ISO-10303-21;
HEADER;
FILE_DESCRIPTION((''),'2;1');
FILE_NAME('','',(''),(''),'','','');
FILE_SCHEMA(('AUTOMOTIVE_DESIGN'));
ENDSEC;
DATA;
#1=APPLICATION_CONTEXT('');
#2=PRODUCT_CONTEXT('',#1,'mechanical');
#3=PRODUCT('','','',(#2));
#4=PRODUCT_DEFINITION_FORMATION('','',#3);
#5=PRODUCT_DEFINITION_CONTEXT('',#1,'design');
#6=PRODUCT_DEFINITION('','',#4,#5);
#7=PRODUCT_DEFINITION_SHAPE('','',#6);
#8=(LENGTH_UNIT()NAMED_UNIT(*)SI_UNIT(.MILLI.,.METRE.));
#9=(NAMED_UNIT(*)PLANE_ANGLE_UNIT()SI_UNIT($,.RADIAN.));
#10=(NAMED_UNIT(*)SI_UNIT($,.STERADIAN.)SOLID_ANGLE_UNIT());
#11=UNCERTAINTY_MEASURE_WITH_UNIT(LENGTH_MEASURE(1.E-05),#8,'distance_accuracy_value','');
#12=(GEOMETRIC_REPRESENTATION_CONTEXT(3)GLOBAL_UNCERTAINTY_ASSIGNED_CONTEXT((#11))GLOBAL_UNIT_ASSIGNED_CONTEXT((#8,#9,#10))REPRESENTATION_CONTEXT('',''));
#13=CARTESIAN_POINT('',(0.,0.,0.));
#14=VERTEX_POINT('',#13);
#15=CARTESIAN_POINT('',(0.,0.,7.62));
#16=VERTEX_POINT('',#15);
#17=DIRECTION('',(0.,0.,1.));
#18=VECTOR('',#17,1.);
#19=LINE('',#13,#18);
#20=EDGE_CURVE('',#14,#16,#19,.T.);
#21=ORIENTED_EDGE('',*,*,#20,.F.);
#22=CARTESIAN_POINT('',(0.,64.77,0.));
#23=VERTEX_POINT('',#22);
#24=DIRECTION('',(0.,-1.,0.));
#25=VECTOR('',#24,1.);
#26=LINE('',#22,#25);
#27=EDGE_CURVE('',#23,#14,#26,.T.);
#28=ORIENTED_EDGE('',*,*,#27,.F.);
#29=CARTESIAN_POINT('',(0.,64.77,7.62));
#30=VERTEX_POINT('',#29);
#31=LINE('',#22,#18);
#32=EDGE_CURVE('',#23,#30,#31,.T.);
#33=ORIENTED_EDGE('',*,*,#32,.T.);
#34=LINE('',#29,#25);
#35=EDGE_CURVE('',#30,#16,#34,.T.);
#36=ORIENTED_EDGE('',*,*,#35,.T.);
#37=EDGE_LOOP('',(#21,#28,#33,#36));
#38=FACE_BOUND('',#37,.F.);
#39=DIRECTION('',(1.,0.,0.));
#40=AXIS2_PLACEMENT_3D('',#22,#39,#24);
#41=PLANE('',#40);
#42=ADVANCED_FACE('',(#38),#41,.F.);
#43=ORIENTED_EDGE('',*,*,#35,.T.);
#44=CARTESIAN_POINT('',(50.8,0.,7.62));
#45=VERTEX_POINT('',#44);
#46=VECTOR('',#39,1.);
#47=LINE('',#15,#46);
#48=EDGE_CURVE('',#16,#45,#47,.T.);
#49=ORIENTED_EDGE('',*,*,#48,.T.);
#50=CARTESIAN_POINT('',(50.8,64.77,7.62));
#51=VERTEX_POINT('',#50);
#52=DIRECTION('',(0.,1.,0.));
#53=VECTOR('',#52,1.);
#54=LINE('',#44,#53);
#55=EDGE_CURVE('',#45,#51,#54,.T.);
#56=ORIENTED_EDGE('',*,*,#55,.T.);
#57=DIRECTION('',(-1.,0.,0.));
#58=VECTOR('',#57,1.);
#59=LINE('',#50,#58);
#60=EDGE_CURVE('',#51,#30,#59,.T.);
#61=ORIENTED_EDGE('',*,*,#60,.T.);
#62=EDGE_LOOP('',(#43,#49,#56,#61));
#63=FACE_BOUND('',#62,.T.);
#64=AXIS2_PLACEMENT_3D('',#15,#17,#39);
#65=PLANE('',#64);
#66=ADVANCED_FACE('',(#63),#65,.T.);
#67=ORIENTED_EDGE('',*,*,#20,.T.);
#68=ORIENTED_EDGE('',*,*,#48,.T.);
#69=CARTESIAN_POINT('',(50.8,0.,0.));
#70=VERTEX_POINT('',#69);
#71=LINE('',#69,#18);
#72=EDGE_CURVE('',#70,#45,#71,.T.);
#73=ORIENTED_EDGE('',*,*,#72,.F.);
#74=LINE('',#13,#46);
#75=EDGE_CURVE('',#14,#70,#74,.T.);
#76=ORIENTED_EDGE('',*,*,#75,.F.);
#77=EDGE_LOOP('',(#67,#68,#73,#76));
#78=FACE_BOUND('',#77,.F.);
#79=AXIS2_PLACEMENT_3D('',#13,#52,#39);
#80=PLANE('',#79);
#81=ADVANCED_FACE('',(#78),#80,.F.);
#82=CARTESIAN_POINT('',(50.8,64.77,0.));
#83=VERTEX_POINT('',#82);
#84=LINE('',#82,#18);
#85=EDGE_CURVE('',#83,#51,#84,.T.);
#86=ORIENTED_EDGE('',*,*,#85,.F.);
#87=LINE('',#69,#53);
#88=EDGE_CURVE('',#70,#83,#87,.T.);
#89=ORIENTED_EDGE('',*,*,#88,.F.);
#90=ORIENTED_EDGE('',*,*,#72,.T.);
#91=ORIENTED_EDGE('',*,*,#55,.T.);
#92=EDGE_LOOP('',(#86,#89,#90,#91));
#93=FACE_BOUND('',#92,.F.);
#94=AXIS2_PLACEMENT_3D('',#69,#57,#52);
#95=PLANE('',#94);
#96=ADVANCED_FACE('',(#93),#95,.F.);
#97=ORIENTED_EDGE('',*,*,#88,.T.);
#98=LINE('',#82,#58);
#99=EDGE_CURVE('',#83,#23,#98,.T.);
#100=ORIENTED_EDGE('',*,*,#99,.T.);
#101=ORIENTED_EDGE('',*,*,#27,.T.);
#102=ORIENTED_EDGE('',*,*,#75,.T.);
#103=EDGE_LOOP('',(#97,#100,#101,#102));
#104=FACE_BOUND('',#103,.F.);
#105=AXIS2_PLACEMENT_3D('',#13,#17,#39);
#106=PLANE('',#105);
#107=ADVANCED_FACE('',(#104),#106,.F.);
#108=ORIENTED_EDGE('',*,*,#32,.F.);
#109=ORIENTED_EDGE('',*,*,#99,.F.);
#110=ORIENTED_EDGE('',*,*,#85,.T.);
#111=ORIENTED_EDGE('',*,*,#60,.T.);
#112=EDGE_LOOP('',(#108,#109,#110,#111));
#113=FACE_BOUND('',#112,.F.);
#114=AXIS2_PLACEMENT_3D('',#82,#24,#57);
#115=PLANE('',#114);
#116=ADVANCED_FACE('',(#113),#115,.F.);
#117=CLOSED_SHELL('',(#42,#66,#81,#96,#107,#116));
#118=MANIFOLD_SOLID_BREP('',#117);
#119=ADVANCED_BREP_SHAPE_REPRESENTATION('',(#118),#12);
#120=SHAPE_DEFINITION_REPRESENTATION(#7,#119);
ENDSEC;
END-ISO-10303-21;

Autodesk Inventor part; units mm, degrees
ref_plane "YZ Plane" through (0, 0, 0) normal (1, 0, 0) x (0, 1, 0)
ref_plane "XZ Plane" through (0, 0, 0) normal (0, 1, 0) x (-1, 0, 0)
ref_plane "XY Plane" through (0, 0, 0) normal (0, 0, 1) x (1, 0, 0)
sketch "Sketch1" plane through (0, 0, 0) normal (0, 0, 1) x (1, 0, 0)
  line L0 (0, 0) -> (50.8, 0)
  line L1 (50.8, 0) -> (50.8, 64.77)
  line L2 (50.8, 64.77) -> (0, 64.77)
  line L3 (0, 64.77) -> (0, 0)
  dimension "d0" = 50.8
  dimension "d1" = 64.77
extrude "Extrusion1" add sketch "Sketch1" along normal blind 7.62
properties part number "Battery"
